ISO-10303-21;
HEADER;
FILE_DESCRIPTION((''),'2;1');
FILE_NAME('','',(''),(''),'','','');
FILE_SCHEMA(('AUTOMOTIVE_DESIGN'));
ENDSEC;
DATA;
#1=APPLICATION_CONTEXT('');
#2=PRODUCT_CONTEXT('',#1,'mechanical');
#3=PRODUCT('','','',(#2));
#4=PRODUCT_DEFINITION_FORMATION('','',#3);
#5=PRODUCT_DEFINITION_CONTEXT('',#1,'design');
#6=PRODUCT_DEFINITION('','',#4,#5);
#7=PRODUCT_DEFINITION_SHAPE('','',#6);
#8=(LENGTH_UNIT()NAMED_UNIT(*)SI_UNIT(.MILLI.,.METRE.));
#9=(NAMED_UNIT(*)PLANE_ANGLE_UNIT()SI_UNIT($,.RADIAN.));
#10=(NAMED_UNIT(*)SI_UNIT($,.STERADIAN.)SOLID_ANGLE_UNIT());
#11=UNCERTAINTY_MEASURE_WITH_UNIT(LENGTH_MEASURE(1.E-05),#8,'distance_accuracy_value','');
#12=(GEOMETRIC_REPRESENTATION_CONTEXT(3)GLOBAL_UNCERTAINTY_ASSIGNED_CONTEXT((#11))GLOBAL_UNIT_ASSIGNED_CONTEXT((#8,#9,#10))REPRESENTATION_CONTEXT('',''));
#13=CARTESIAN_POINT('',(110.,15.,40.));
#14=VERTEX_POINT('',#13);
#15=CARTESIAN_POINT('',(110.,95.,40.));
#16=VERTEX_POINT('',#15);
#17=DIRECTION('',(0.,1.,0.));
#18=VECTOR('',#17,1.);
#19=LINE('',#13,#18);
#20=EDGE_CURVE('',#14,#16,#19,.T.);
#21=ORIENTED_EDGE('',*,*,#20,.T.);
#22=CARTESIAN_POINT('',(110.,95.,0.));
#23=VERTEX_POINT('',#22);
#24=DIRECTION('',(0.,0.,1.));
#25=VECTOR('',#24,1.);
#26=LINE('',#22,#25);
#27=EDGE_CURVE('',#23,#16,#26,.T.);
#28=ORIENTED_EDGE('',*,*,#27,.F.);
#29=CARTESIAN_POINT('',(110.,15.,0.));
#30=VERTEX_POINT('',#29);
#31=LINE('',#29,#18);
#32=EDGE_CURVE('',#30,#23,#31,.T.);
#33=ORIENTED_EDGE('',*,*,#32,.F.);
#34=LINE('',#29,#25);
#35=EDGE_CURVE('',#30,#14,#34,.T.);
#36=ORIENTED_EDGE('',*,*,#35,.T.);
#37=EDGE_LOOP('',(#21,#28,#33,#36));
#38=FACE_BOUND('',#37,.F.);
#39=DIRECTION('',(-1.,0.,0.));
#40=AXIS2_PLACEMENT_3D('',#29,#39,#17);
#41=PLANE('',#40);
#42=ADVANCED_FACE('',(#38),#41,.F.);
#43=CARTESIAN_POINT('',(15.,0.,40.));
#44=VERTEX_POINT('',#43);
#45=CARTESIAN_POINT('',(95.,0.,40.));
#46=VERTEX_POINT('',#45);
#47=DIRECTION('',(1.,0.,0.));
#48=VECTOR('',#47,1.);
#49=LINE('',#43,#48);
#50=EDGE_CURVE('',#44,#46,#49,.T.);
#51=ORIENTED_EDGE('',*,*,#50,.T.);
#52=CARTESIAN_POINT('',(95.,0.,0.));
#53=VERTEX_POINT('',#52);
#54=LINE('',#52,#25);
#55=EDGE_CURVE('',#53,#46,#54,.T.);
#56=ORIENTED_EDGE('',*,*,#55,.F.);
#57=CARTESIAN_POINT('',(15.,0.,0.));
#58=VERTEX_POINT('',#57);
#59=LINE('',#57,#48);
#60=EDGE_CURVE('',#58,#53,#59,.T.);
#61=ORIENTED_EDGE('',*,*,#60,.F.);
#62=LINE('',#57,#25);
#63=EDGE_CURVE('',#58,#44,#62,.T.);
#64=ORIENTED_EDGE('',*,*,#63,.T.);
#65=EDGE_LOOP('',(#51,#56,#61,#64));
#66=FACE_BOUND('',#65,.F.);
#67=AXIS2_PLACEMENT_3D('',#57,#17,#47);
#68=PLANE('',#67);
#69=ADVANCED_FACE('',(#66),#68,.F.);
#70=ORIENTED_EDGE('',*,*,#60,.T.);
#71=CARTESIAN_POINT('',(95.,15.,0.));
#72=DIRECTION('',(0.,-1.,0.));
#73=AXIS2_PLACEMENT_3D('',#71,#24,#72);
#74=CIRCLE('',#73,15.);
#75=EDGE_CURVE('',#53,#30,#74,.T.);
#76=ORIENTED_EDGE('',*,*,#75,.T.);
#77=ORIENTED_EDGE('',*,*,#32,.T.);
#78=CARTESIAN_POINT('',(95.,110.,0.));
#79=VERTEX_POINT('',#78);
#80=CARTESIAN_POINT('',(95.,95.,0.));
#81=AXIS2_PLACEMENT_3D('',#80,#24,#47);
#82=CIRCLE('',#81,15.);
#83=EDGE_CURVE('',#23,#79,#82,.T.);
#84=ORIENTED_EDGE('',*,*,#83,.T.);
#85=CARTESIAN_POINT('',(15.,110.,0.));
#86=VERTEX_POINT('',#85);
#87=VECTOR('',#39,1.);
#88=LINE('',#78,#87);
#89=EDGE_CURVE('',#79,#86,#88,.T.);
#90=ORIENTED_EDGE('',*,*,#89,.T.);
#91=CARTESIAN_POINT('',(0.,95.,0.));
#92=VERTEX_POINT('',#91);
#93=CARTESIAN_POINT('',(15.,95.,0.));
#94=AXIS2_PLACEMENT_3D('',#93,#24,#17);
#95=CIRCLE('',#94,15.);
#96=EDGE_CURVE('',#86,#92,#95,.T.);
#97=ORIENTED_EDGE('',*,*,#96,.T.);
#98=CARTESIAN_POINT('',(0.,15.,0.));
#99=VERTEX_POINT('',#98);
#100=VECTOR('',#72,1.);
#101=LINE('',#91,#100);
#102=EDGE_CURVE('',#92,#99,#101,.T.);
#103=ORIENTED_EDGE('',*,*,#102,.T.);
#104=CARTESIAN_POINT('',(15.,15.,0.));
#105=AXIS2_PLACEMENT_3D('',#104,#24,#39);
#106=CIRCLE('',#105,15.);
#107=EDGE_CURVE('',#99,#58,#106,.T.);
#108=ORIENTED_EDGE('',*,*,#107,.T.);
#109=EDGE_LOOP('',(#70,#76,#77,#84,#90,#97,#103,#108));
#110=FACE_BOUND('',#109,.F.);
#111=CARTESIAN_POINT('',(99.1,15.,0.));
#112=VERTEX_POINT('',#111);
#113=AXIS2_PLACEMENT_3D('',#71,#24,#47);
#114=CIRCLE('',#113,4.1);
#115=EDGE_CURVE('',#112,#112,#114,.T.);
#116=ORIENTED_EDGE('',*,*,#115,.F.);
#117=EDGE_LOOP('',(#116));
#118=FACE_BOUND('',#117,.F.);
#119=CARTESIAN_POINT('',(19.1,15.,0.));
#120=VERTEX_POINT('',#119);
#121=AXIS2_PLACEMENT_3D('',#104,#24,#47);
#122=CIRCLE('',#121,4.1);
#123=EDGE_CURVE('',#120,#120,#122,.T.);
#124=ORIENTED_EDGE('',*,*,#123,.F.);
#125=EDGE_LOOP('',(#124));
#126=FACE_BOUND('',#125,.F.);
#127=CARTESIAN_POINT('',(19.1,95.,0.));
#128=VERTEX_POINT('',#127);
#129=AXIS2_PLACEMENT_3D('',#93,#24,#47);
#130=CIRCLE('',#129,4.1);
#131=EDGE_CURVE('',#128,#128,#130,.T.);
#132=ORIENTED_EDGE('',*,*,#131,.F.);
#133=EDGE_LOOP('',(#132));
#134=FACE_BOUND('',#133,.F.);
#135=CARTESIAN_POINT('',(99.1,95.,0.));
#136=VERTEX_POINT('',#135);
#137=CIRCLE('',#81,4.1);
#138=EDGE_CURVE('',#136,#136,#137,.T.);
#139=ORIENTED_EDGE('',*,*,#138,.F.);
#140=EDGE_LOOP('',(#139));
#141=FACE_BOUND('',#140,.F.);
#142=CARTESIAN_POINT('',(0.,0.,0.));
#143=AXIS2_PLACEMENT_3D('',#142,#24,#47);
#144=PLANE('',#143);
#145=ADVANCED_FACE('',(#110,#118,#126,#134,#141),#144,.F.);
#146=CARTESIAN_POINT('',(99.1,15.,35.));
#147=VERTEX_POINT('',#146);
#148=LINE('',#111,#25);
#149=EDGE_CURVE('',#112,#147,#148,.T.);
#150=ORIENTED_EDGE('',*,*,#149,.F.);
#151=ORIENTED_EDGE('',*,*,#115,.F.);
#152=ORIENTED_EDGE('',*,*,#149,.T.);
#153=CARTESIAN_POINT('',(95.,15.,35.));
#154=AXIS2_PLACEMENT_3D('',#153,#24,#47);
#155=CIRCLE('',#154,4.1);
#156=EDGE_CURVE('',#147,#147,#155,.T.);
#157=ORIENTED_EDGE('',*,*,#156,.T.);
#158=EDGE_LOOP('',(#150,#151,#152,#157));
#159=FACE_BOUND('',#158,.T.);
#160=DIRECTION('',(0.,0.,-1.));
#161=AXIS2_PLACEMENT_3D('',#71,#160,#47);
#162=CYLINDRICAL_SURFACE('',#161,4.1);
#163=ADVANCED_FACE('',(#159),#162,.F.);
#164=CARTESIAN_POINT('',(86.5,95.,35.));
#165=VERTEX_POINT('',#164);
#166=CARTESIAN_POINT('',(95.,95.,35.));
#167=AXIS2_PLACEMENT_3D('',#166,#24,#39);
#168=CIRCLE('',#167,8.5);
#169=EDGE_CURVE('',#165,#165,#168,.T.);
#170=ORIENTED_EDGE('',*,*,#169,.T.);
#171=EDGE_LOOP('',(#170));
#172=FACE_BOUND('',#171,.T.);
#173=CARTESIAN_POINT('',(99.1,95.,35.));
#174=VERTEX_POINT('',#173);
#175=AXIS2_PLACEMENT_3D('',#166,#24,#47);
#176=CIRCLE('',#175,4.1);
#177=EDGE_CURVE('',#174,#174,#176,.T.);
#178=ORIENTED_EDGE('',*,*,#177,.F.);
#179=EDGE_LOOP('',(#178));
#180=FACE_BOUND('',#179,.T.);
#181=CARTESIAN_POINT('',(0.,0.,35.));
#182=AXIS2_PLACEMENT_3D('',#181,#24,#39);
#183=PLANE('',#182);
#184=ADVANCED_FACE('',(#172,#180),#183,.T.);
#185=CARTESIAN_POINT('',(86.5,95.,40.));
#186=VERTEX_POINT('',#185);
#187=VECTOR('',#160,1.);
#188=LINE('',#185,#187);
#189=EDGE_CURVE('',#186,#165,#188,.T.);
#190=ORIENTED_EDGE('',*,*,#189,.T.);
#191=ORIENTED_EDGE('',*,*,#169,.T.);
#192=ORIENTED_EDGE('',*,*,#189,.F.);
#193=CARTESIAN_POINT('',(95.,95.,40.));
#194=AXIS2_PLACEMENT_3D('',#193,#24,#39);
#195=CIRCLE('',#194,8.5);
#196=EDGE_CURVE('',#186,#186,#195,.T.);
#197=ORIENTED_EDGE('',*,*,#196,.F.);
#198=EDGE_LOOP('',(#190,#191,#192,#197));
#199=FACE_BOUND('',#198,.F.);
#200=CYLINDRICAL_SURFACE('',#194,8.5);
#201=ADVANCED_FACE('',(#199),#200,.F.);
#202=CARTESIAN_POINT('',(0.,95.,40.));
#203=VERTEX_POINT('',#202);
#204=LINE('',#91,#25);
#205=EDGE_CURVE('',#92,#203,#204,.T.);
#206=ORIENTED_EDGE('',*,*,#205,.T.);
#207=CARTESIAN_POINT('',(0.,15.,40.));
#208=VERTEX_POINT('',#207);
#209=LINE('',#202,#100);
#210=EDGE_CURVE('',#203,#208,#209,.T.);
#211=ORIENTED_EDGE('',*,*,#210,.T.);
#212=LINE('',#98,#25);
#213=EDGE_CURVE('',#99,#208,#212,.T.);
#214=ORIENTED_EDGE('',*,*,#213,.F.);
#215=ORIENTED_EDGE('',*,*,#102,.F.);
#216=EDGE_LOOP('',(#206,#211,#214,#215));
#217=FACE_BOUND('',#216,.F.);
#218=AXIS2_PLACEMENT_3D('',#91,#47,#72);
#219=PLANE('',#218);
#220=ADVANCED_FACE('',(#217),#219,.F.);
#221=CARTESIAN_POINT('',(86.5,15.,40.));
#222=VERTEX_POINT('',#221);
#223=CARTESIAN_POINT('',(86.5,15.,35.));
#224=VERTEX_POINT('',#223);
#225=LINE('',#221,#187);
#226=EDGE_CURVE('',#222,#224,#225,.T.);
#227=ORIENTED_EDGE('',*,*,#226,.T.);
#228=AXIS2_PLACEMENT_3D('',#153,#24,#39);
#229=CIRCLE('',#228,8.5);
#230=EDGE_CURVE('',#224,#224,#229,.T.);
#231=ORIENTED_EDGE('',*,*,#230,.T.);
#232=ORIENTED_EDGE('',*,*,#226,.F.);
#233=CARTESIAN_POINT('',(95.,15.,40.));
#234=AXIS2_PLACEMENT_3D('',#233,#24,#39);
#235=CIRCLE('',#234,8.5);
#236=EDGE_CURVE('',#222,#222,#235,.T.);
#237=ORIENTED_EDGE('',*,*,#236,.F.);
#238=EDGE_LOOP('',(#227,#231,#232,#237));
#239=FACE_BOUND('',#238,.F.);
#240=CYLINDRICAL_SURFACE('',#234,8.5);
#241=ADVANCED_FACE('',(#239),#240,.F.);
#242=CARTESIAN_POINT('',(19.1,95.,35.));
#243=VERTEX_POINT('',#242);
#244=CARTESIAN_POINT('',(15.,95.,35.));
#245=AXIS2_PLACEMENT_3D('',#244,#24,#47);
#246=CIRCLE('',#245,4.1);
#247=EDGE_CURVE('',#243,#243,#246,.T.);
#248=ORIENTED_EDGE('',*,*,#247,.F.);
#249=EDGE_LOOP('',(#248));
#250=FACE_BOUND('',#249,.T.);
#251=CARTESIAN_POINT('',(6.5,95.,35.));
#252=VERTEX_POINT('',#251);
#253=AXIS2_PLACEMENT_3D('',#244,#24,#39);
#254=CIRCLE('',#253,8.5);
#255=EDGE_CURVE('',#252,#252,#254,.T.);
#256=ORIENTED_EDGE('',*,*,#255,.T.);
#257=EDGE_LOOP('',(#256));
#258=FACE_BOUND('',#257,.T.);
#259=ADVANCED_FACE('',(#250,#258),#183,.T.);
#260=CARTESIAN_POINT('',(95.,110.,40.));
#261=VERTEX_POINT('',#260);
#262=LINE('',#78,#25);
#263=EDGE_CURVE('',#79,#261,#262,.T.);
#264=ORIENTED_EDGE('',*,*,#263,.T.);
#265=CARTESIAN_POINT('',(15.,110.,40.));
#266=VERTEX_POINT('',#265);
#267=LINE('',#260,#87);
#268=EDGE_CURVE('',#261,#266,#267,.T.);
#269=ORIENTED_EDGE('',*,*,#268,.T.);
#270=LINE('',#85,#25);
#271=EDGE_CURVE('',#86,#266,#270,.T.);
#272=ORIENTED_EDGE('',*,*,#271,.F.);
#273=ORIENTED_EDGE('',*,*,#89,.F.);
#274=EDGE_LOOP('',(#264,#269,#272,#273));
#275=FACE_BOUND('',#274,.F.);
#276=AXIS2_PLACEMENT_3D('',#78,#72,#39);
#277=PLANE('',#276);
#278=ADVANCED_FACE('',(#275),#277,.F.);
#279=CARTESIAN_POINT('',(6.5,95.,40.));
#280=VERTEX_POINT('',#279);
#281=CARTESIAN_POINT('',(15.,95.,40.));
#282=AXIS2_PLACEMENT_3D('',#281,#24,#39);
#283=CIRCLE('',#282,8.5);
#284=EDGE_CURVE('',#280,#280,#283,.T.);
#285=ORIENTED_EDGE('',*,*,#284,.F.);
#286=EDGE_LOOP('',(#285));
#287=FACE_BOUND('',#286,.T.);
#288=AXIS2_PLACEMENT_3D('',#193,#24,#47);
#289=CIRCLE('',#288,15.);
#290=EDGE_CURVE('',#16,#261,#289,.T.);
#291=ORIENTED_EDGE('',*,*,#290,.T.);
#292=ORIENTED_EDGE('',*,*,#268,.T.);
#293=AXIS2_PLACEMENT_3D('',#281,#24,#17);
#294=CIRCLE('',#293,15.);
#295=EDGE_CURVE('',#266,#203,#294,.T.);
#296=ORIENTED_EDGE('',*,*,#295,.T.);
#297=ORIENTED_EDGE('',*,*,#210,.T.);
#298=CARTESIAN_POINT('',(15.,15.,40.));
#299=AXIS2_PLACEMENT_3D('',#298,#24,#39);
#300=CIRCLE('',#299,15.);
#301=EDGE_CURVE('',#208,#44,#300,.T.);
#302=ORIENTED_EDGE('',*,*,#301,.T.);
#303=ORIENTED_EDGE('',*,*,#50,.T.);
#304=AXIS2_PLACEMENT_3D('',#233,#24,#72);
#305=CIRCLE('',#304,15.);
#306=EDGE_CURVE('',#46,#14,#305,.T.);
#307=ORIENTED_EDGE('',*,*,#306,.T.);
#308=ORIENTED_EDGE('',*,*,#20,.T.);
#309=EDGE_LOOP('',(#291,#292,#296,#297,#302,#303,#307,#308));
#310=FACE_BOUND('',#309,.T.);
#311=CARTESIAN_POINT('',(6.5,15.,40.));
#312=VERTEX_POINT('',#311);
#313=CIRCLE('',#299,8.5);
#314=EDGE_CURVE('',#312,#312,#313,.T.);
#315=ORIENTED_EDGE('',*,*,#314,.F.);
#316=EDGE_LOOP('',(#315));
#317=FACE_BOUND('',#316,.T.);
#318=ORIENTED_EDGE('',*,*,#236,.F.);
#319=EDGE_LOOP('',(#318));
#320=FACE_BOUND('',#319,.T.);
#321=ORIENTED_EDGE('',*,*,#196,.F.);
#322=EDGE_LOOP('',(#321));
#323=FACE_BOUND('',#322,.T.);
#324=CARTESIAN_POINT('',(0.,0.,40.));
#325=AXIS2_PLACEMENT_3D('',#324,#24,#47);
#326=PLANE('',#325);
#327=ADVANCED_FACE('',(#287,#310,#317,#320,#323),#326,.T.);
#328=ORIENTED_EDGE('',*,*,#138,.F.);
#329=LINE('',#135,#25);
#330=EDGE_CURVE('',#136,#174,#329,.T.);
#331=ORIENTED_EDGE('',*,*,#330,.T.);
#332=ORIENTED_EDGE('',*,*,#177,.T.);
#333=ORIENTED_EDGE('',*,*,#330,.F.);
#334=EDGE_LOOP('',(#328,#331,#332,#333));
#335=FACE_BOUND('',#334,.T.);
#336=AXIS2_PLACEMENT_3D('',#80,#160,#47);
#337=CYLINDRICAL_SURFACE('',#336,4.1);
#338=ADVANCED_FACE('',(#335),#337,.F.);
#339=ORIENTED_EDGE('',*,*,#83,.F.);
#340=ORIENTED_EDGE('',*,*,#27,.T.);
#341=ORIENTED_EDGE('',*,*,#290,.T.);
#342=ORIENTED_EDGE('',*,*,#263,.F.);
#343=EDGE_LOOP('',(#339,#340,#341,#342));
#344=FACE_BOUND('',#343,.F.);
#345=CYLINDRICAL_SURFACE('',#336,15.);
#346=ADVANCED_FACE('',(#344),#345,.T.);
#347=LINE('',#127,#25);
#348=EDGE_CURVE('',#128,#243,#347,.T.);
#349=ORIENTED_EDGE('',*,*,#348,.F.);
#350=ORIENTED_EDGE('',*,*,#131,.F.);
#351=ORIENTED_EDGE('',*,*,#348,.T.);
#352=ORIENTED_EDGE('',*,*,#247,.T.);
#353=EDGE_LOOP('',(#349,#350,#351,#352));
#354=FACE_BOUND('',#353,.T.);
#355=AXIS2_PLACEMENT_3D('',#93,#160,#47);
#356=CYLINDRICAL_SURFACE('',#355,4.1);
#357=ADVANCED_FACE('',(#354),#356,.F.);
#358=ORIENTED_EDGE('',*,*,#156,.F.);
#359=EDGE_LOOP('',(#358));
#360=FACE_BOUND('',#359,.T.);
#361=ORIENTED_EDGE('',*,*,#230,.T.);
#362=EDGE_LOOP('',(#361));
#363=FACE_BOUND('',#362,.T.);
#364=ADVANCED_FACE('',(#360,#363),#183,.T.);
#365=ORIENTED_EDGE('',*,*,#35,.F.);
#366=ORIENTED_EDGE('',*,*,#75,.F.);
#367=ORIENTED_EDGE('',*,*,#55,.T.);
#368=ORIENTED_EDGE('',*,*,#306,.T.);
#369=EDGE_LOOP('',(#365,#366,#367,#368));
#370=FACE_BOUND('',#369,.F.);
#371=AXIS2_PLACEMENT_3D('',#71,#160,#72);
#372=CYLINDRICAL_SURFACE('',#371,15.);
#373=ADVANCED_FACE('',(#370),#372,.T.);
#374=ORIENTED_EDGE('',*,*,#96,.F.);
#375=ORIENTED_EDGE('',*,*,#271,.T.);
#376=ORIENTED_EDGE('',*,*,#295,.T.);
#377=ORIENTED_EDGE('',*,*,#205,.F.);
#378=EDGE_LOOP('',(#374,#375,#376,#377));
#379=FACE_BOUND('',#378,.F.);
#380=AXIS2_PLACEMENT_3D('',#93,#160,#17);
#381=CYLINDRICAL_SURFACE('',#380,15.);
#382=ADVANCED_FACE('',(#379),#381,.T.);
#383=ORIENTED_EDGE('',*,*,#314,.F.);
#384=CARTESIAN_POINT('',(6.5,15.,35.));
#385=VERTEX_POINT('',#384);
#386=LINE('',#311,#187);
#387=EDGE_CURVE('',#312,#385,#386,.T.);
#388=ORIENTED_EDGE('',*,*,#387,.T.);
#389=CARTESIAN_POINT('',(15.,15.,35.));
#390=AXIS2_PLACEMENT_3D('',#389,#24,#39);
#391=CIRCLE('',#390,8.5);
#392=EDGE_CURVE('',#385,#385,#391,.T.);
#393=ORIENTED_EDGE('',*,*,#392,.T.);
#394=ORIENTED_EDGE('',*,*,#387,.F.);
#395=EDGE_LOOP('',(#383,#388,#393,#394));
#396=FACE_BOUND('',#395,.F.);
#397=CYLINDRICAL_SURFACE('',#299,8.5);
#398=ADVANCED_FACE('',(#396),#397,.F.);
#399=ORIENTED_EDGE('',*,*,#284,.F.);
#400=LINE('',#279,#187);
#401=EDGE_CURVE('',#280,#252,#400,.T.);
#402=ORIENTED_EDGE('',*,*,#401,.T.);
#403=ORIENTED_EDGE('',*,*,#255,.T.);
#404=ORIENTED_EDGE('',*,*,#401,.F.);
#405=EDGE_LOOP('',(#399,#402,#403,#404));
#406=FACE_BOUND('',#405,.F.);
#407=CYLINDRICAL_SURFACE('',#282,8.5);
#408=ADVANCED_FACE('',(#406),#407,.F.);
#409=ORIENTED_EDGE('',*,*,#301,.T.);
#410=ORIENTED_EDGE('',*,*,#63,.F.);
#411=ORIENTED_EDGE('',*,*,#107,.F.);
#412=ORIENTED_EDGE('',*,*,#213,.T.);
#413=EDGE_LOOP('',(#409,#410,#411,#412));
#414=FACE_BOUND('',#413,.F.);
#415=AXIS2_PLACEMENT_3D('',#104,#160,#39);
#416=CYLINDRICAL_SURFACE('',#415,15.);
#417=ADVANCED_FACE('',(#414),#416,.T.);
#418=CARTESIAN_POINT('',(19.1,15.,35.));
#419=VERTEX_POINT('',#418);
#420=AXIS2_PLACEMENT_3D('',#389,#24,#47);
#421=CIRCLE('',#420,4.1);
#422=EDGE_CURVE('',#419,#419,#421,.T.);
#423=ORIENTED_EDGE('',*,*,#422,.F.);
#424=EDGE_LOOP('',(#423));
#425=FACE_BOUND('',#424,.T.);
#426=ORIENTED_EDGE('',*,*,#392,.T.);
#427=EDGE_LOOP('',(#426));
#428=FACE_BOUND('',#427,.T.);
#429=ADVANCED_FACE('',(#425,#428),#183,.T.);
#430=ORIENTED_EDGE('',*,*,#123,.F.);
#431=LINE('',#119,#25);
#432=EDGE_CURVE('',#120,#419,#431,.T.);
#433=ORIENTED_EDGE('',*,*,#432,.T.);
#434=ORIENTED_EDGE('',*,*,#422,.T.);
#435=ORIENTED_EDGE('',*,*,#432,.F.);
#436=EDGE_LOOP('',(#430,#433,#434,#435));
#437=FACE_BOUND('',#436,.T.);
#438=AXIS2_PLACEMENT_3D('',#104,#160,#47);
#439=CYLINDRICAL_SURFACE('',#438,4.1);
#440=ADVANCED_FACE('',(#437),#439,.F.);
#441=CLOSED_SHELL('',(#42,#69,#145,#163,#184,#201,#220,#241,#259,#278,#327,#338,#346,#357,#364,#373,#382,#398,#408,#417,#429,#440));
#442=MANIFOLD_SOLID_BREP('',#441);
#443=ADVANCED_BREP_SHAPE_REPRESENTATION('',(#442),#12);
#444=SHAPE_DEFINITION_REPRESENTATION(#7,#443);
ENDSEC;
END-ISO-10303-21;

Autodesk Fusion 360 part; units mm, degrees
sketch "Esboço1" plane through (0, 0, 0) normal (0, 0, 1) x (1, 0, 0)
  line L0 (15, 0) -> (95, 0)
  line L1 (110, 15) -> (110, 95)
  line L2 (95, 110) -> (15, 110)
  line L3 (0, 95) -> (0, 15)
  circle A0 centre (15, 15) radius 4.1
  arc A1 (15, 110) -> (0, 95) centre (15, 95) ccw
  circle A2 centre (15, 95) radius 4.1
  arc A3 (110, 95) -> (95, 110) centre (95, 95) ccw
  arc A4 (95, 0) -> (110, 15) centre (95, 15) ccw
  arc A5 (0, 15) -> (15, 0) centre (15, 15) ccw
  circle A6 centre (95, 15) radius 4.1
  circle A7 centre (95, 95) radius 4.1
  point P0 (110, 0)
  point P1 (0, 110)
  dimension "d1" = 110
  dimension "d2" = 110
  dimension "d3" = 8.2
  dimension "d4" = 15
  dimension "d5" = 8.2
  dimension "d6" = 15
  dimension "d7" = 8.2
  dimension "d8" = 8.2
extrude "Extrusão1" add sketch "Esboço1" along normal blind 40
sketch "Esboço2" plane through (0, 0, 40) normal (0, 0, 1) x (-1, 0, 0)
  circle A0 centre (-15, -95) radius 4.1
  circle A1 centre (-95, -15) radius 4.1
  circle A2 centre (-95, -95) radius 4.1
  circle A3 centre (-15, -15) radius 4.1
  arc A4 (0, -15) -> (-15, 0) centre (-15, -15) ccw
  line L0 (-15, 0) -> (-95, 0)
  arc A5 (-95, 0) -> (-110, -15) centre (-95, -15) ccw
  line L1 (-110, -15) -> (-110, -95)
  arc A6 (-110, -95) -> (-95, -110) centre (-95, -95) ccw
  line L2 (-95, -110) -> (-15, -110)
  arc A7 (-15, -110) -> (0, -95) centre (-15, -95) ccw
  line L3 (0, -95) -> (0, -15)
  circle A8 centre (-15, -15) radius 8.5
  circle A9 centre (-15, -15) radius 8.5
  circle A10 centre (-15, -95) radius 8.5
  circle A11 centre (-95, -95) radius 8.5
  circle A12 centre (-95, -15) radius 8.5
  dimension "d11" = 17
  dimension "d12" = 17
  dimension "d13" = 17
  dimension "d14" = 17
  dimension "d15" = 17
extrude "Extrusão2" cut sketch "Esboço2" against normal blind 5 contours A8 A9 | A10 | A11 | A12
